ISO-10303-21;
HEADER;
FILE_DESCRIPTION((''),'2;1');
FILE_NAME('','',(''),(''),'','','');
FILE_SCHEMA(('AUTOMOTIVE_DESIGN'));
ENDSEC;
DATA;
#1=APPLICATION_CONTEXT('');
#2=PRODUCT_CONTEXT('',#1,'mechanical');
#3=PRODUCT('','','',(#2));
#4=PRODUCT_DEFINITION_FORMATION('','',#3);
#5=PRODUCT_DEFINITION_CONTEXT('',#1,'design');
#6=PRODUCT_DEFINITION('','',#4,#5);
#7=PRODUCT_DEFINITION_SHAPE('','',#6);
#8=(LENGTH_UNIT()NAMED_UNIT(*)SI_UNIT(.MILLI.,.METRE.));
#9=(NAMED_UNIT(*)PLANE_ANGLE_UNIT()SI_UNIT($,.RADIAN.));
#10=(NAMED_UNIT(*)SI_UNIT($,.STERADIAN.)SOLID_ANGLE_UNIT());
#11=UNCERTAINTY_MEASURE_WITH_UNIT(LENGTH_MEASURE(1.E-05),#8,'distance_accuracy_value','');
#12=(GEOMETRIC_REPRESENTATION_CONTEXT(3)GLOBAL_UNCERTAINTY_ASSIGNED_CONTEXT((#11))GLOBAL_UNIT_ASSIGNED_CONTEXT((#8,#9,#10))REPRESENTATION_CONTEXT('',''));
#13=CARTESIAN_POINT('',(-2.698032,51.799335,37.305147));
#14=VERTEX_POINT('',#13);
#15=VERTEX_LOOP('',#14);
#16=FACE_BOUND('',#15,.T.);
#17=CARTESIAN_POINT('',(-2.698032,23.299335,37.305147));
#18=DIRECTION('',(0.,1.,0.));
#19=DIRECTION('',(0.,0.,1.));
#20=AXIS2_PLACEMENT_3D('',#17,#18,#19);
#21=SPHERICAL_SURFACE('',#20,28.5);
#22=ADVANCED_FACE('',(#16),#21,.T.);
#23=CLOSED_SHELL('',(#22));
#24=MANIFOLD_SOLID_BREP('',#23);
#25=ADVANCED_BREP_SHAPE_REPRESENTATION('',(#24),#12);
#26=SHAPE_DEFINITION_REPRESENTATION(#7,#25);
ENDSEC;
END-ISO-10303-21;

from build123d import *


with BuildPart() as part:
    # Sketch2 one side → Revolve3 (revolve)
    with BuildSketch(Plane(origin=(-2.698032141, 34.47576391, 6.761653582), x_dir=(0, 0, 1), z_dir=(1, 0, 0))):
        with BuildLine():
            Line((30.543493837, -17.323571421), (30.543493837, 39.676428579))
            ThreePointArc((30.543493837, 39.676428579), (2.043493837, 11.176428579), (30.543493837, -17.323571421))
        make_face()
    revolve(axis=Axis((-2.698032141, 51.799335332, 37.305147419), (0, -1, 0)))


solid = part.part
